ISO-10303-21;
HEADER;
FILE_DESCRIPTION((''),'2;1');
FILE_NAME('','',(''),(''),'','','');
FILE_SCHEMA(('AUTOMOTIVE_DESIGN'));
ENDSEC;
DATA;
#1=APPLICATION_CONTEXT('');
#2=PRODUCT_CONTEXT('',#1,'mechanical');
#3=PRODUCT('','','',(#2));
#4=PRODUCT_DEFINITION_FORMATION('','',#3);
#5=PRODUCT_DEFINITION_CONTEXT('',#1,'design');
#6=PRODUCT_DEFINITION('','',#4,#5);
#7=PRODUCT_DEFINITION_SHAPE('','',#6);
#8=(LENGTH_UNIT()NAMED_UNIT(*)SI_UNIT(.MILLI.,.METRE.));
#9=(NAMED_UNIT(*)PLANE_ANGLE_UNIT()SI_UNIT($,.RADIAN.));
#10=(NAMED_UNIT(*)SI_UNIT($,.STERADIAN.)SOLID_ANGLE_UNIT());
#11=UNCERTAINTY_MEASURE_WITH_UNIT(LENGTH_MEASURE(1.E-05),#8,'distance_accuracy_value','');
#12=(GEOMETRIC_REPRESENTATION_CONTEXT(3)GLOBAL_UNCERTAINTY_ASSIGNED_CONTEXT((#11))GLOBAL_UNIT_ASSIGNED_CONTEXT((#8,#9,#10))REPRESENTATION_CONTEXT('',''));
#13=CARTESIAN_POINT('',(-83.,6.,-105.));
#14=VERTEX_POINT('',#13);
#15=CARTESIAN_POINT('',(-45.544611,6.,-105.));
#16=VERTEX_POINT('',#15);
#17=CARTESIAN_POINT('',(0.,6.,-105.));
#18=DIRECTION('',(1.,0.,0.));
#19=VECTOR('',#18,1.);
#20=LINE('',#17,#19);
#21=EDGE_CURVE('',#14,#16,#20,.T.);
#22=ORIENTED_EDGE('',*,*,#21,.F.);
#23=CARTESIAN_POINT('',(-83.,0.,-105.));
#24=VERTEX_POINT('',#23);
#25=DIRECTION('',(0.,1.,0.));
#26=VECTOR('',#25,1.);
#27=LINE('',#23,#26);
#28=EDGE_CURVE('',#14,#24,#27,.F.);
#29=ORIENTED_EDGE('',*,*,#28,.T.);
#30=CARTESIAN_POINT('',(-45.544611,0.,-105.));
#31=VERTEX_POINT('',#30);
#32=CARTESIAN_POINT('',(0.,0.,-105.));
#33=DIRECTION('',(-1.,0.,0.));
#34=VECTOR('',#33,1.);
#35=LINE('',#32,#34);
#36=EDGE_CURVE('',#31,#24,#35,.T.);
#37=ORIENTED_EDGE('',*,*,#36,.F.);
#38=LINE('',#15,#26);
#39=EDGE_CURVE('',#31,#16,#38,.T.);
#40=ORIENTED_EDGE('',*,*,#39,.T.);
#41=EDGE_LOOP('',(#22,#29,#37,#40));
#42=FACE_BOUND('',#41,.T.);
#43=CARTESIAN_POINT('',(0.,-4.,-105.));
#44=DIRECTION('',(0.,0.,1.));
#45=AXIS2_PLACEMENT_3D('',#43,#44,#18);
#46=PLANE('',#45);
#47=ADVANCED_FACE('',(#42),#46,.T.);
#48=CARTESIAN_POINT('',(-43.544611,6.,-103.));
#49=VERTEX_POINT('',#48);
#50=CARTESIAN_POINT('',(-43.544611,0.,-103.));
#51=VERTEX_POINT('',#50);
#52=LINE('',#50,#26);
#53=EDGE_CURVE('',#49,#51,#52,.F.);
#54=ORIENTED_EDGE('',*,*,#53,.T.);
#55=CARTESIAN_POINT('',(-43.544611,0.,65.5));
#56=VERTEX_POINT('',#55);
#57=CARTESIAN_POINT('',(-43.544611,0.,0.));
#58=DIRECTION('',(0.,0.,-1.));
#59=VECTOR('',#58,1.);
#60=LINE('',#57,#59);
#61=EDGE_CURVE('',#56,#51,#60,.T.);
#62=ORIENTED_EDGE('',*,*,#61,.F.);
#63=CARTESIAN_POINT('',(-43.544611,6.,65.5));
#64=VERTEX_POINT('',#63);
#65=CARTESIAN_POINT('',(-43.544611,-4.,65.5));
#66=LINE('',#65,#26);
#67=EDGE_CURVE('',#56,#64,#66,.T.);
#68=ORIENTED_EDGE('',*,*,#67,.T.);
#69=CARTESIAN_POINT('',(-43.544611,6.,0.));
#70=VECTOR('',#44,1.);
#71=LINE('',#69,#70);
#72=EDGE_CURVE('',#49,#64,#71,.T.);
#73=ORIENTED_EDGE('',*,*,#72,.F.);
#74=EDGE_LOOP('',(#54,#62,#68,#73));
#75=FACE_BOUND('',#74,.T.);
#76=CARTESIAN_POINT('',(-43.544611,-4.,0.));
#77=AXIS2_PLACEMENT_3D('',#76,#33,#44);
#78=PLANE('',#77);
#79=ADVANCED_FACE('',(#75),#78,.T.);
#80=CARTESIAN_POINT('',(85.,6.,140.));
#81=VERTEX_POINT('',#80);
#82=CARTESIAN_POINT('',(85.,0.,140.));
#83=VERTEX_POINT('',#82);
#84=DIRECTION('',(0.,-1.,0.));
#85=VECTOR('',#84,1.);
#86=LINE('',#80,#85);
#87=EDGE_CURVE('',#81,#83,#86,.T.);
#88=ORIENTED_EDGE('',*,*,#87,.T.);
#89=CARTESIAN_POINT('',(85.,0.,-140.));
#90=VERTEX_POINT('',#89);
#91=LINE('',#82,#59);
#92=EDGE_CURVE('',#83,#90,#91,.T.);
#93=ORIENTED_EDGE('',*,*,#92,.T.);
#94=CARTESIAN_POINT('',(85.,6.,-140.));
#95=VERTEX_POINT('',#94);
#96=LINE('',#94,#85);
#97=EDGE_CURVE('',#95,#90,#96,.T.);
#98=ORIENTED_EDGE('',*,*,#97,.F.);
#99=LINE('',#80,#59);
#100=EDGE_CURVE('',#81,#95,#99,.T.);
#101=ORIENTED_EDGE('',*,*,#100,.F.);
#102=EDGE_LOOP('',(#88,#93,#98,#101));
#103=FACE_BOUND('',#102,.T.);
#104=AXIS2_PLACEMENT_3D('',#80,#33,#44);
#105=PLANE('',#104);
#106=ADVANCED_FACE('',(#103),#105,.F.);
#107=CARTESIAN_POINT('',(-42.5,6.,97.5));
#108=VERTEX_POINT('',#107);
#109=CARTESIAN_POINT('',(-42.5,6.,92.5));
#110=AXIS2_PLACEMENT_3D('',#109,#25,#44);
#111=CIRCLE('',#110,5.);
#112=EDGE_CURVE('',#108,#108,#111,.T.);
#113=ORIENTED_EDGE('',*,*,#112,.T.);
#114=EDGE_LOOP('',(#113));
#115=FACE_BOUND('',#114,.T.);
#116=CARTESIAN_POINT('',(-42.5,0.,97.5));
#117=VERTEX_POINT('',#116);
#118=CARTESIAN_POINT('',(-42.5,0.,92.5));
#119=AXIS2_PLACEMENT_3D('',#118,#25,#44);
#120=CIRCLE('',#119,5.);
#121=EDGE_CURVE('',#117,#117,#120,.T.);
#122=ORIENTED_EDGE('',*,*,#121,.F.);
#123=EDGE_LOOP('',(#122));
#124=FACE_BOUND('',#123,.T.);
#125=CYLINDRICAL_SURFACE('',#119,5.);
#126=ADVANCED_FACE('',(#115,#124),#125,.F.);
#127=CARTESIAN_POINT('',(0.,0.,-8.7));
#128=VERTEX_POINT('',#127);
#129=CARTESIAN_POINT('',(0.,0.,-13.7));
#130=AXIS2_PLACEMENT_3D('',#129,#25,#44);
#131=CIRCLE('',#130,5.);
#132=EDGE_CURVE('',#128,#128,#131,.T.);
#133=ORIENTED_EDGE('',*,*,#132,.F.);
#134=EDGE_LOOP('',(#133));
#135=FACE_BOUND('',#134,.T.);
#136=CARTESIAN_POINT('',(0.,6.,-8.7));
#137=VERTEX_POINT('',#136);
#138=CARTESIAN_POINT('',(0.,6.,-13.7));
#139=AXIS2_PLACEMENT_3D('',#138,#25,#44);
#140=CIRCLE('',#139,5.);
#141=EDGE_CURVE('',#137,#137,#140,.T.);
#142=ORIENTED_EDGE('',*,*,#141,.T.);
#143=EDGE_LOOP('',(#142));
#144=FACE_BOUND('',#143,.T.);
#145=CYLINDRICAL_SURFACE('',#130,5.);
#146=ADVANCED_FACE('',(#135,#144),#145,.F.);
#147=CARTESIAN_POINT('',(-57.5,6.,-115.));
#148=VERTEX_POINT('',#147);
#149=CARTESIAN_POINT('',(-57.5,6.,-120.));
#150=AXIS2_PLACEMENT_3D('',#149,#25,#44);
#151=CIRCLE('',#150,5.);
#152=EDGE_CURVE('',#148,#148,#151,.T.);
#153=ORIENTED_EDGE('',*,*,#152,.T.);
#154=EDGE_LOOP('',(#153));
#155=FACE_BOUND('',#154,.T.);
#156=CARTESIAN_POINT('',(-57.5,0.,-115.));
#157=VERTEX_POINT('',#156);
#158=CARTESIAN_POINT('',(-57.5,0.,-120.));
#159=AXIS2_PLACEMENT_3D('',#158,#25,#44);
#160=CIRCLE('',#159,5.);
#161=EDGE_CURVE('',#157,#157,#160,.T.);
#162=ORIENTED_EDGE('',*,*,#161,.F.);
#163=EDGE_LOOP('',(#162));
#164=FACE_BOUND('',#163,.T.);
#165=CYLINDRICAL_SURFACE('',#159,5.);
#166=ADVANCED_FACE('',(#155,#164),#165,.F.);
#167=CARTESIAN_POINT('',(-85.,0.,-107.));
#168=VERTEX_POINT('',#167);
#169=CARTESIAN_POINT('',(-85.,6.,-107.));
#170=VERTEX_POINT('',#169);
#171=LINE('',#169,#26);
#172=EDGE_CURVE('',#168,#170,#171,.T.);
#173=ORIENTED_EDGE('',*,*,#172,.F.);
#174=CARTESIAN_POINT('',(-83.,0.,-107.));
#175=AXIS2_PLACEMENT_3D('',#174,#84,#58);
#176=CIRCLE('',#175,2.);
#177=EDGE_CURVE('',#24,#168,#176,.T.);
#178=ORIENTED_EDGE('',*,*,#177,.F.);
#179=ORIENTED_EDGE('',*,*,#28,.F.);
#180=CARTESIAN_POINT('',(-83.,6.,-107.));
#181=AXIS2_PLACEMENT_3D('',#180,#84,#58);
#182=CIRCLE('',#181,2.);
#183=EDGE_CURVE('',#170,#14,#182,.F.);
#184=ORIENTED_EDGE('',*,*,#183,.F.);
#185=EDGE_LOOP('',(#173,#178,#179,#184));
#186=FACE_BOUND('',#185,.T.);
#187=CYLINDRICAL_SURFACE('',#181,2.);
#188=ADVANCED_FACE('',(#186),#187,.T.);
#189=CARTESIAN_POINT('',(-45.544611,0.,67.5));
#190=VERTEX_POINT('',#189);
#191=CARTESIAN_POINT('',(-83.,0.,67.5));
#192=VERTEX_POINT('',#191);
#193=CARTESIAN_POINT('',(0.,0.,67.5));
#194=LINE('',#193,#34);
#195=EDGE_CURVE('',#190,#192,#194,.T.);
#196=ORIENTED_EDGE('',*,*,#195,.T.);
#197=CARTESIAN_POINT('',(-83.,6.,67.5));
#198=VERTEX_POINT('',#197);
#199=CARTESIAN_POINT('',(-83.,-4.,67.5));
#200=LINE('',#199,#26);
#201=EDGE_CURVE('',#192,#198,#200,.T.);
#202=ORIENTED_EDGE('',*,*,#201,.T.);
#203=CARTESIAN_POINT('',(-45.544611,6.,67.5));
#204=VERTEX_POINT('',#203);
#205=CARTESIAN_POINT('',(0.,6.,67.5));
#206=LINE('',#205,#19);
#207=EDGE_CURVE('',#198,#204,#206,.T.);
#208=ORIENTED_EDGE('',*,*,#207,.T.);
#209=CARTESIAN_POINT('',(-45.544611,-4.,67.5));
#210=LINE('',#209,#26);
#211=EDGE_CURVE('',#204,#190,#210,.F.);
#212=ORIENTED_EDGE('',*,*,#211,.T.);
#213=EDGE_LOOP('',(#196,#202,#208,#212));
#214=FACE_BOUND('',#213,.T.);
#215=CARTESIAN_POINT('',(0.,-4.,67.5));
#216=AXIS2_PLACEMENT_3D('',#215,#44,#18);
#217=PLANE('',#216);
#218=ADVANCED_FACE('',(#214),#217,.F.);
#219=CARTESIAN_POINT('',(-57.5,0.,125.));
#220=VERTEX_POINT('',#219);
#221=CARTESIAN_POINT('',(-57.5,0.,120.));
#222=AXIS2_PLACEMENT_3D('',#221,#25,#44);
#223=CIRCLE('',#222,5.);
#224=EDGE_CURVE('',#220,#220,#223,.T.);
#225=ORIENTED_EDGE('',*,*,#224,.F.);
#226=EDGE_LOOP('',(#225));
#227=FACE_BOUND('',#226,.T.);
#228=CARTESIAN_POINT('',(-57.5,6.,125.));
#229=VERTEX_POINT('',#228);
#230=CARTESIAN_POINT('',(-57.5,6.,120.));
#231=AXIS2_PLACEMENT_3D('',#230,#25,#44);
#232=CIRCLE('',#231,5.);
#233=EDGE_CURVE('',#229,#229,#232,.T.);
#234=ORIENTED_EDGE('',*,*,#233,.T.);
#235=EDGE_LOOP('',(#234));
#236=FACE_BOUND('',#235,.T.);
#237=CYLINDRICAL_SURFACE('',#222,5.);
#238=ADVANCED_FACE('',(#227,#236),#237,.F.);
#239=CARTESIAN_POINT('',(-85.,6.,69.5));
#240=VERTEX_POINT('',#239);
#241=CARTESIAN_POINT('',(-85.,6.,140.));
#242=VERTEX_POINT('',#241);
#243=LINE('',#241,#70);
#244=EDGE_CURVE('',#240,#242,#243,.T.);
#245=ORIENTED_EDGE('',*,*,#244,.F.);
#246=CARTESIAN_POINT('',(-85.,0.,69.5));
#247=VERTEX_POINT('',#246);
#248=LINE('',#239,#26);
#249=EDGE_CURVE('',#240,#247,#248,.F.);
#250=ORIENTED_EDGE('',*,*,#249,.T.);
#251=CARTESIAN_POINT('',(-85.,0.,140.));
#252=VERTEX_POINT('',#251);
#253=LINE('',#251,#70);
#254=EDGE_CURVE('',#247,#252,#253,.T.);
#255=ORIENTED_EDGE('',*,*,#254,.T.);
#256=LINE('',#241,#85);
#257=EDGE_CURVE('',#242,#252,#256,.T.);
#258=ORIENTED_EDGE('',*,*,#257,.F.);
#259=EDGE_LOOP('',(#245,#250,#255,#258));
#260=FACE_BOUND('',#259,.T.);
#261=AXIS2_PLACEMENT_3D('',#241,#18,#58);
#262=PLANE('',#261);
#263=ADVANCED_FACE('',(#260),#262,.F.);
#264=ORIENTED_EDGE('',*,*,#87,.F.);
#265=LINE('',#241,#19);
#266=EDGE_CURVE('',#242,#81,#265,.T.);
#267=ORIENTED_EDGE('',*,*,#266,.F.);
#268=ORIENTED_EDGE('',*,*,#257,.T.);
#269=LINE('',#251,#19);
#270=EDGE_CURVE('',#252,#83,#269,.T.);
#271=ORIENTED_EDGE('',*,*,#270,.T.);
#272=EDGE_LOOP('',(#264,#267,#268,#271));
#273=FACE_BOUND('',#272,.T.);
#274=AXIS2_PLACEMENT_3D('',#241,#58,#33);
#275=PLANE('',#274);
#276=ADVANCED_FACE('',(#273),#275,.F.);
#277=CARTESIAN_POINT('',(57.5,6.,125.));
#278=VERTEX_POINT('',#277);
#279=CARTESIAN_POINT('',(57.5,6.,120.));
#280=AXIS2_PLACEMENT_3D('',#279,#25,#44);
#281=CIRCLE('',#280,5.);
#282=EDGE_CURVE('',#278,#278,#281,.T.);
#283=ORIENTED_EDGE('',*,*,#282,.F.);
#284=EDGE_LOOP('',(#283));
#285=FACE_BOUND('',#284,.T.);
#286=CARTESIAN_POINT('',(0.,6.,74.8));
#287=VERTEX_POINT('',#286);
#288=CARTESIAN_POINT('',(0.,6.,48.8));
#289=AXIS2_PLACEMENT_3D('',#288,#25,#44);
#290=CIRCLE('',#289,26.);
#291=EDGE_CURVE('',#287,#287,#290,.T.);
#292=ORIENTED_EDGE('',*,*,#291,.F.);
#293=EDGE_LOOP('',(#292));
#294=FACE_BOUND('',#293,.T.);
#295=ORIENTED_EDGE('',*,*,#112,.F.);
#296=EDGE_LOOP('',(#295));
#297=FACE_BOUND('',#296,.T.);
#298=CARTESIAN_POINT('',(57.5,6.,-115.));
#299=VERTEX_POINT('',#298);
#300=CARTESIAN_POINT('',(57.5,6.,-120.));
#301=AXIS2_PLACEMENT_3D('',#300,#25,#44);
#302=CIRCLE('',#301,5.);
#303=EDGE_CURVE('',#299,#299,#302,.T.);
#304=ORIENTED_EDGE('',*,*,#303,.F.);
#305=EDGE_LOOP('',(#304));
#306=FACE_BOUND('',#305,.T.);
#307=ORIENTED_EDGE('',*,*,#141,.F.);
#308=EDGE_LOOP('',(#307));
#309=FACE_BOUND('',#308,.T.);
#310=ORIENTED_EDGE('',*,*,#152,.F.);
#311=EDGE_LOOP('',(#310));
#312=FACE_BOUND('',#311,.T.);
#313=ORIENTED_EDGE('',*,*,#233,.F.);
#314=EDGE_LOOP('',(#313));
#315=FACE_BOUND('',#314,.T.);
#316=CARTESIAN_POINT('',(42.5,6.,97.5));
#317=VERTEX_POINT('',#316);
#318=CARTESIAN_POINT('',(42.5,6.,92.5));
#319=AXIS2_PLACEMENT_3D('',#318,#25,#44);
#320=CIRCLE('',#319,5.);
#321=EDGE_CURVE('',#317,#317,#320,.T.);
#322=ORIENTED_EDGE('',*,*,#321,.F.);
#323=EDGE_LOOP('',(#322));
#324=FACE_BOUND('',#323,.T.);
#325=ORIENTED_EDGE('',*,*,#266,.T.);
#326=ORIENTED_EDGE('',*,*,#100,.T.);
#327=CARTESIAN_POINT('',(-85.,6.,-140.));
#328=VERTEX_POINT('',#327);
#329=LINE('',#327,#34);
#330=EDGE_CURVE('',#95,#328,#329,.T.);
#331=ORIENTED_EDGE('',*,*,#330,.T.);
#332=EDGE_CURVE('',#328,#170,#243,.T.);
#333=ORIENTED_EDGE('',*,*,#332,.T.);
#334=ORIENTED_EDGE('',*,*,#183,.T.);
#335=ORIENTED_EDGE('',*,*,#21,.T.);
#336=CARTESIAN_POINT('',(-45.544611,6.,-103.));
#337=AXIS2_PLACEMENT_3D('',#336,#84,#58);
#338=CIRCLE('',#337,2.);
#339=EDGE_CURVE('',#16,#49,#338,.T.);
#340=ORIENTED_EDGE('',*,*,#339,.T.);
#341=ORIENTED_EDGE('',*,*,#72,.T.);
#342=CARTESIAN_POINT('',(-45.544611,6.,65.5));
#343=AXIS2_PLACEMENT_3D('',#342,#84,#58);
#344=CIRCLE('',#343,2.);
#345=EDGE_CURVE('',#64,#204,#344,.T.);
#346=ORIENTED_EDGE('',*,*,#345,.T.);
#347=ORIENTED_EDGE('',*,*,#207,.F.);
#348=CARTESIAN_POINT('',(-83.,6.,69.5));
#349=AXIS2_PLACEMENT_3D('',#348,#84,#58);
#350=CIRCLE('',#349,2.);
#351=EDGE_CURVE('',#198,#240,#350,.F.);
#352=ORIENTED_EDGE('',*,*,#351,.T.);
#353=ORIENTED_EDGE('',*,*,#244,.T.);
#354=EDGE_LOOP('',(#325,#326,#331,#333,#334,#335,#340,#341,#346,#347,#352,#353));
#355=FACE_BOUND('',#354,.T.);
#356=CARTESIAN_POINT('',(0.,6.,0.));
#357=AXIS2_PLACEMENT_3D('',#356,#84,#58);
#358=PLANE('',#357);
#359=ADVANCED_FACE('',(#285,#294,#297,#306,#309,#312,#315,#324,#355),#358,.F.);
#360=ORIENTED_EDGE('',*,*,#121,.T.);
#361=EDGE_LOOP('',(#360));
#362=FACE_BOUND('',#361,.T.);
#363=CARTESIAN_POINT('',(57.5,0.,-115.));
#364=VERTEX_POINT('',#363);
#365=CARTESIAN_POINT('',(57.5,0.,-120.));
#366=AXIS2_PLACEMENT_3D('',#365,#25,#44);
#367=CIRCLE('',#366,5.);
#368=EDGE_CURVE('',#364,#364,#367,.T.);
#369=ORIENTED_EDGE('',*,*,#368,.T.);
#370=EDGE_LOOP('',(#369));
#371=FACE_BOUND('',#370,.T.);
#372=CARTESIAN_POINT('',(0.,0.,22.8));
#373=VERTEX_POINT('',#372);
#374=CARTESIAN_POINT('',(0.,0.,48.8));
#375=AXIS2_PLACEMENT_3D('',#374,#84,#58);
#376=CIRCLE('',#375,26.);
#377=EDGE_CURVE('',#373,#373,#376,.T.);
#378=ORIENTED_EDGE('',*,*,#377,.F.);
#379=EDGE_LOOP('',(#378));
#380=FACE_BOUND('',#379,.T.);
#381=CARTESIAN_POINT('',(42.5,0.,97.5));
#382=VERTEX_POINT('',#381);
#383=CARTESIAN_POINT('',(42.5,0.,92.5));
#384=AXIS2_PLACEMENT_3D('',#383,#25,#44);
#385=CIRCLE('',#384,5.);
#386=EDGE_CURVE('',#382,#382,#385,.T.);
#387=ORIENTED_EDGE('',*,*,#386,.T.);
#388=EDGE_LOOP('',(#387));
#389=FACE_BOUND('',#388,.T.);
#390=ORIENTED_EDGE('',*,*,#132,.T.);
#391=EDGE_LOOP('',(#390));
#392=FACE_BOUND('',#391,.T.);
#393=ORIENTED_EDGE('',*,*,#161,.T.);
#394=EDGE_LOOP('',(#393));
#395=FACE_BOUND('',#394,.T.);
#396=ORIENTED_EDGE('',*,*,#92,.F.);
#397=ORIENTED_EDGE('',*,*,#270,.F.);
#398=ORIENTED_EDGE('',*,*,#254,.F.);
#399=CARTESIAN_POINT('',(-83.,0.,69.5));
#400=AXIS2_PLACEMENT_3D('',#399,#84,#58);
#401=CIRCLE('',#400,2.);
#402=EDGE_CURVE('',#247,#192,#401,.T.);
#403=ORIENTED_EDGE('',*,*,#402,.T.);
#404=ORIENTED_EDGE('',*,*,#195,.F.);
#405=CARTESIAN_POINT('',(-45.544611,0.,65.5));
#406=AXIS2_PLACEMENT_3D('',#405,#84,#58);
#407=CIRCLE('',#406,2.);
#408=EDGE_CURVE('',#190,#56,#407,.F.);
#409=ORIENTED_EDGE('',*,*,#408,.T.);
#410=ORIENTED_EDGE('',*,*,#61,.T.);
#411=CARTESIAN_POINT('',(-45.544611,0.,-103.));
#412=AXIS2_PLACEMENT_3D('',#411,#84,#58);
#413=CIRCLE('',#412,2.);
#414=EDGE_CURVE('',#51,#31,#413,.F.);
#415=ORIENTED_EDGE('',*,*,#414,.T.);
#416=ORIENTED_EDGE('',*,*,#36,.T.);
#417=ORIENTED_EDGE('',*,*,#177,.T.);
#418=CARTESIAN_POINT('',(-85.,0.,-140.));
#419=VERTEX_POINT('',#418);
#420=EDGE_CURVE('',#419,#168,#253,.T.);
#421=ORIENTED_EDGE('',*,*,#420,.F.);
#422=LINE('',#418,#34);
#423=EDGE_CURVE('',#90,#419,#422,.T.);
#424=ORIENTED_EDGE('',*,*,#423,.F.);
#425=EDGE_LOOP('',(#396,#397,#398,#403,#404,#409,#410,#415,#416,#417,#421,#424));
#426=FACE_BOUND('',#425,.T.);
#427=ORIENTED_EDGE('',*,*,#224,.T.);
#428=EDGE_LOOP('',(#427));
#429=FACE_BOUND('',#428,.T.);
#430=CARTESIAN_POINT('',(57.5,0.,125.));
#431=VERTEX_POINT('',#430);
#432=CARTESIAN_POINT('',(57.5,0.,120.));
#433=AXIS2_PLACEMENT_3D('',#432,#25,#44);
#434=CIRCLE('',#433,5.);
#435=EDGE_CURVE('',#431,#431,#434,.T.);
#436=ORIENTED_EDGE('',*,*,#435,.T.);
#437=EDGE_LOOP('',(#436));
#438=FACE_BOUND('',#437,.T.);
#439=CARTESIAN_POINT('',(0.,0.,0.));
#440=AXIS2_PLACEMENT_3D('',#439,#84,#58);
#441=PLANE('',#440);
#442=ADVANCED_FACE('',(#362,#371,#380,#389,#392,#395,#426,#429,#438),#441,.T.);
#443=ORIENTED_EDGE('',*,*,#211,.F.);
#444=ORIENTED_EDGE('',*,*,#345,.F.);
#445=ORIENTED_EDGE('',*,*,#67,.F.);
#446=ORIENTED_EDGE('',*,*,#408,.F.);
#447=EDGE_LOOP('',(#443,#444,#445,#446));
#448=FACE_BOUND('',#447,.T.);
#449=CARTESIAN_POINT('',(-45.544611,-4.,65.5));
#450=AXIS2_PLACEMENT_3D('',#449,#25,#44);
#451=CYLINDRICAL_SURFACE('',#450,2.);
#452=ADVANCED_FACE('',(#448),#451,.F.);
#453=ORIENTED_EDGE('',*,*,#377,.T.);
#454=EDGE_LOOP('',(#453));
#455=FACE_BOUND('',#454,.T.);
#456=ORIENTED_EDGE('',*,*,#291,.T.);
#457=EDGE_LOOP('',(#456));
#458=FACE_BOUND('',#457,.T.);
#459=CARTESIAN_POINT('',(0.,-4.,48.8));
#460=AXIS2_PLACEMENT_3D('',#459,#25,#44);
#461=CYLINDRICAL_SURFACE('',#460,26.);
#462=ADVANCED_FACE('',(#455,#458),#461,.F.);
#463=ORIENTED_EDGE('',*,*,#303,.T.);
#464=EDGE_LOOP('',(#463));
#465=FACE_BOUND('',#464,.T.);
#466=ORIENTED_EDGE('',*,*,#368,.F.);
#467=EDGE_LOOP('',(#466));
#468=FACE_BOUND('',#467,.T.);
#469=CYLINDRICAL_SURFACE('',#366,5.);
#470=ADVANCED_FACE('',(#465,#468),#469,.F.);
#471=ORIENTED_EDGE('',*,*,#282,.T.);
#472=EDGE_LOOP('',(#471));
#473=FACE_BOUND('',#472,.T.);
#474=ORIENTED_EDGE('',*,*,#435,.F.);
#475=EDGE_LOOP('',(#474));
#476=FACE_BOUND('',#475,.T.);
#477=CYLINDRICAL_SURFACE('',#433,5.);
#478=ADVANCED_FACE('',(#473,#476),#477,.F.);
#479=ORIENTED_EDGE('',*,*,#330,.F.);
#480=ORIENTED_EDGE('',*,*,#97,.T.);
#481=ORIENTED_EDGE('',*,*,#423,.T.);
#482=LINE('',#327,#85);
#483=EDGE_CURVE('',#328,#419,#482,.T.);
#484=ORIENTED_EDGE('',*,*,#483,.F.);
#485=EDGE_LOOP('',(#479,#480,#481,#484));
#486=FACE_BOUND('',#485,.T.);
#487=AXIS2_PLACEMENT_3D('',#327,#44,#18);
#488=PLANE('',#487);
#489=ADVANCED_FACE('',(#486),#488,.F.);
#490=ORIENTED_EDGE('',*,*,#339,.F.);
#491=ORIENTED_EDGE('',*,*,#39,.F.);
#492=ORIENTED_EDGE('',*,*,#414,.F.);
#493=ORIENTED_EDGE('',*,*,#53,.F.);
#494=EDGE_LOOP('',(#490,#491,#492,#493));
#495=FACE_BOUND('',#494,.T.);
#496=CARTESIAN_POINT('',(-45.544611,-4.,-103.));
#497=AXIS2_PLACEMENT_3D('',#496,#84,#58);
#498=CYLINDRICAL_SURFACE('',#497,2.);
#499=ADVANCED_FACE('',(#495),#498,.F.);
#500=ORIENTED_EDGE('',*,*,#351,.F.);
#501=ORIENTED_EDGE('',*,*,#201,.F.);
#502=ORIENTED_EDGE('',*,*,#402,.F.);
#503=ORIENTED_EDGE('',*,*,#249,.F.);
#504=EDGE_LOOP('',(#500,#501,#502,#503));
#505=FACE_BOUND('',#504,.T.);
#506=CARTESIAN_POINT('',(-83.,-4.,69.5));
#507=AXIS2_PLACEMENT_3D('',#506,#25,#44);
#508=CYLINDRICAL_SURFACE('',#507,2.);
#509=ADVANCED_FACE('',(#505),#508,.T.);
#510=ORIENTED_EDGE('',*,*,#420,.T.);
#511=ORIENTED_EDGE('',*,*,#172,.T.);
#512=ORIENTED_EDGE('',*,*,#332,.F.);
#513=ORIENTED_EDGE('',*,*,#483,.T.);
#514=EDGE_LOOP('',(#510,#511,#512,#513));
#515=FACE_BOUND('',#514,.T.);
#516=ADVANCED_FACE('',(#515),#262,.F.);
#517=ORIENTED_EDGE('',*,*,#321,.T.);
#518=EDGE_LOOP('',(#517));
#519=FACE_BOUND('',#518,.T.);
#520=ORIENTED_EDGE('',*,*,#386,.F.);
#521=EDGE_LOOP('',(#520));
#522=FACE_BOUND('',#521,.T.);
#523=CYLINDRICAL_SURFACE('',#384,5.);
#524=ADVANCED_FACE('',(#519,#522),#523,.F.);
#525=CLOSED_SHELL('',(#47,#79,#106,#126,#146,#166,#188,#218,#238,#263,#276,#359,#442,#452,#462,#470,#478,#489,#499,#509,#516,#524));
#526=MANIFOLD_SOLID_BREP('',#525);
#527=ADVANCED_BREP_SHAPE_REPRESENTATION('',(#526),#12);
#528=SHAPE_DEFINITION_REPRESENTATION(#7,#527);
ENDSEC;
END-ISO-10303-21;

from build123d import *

# Parameters (mm, degrees)
SKETCH1_W           = 170
SKETCH1_H           = 280
BOSS_EXTRUDE1_DEPTH = 6
SKETCH2_R           = 5
CUT_EXTRUDE1_DEPTH  = 6
SKETCH3_W           = 41.455389413
SKETCH3_H           = 172.5
CUT_EXTRUDE2_DEPTH  = 10
FILLET1_R           = 2
SKETCH4_R           = 26
CUT_EXTRUDE3_DEPTH  = 10


with BuildPart() as part:
    # Sketch1 → Boss-Extrude1 (new body)
    with BuildSketch(Plane(origin=(0, 0, 0), x_dir=(1, 0, 0), z_dir=(0, 1, 0))):
        Rectangle(SKETCH1_W, SKETCH1_H)
    extrude(amount=BOSS_EXTRUDE1_DEPTH)

    # Sketch2 → Cut-Extrude1 (cut)
    with BuildSketch(Plane(origin=(0, 6, 0), x_dir=(1, 0, 0), z_dir=(0, 1, 0))):
        with Locations(Location((-57.5, 120, 0), (0, 0, 270))):
            Circle(SKETCH2_R)
        with Locations(Location((57.5, 120, 0), (0, 0, 270))):
            Circle(SKETCH2_R)
        with Locations(Location((0, 13.7, 0), (0, 0, 270))):
            Circle(SKETCH2_R)
        with Locations(Location((-57.5, -120, 0), (0, 0, 270))):
            Circle(SKETCH2_R)
        with Locations(Location((57.5, -120, 0), (0, 0, 270))):
            Circle(SKETCH2_R)
        with Locations(Location((-42.5, -92.5, 0), (0, 0, 270))):
            Circle(SKETCH2_R)
        with Locations(Location((42.5, -92.5, 0), (0, 0, 270))):
            Circle(SKETCH2_R)
    extrude(amount=-CUT_EXTRUDE1_DEPTH, mode=Mode.SUBTRACT)

    # Sketch3 → Cut-Extrude2 (cut)
    with BuildSketch(Plane(origin=(0, 6, 0), x_dir=(1, 0, 0), z_dir=(0, 1, 0))):
        with Locations((-64.272305293, 18.75)):
            Rectangle(SKETCH3_W, SKETCH3_H)
    extrude(amount=-CUT_EXTRUDE2_DEPTH, mode=Mode.SUBTRACT)

    # Fillet1
    fillet1_edges = [part.edges().sort_by_distance(p)[0] for p in [
        (-43.544610587, 3, -105),
        (-43.544610587, 3, 67.5),
        (-85, 3, 67.5),
        (-85, 3, -105),
    ]]
    fillet(fillet1_edges, radius=FILLET1_R)

    # Sketch4 → Cut-Extrude3 (cut)
    with BuildSketch(Plane(origin=(0, 6, 0), x_dir=(1, 0, 0), z_dir=(0, 1, 0))):
        with Locations(Location((0, -48.8, 0), (0, 0, 270))):
            Circle(SKETCH4_R)
    extrude(amount=-CUT_EXTRUDE3_DEPTH, mode=Mode.SUBTRACT)


solid = part.part
